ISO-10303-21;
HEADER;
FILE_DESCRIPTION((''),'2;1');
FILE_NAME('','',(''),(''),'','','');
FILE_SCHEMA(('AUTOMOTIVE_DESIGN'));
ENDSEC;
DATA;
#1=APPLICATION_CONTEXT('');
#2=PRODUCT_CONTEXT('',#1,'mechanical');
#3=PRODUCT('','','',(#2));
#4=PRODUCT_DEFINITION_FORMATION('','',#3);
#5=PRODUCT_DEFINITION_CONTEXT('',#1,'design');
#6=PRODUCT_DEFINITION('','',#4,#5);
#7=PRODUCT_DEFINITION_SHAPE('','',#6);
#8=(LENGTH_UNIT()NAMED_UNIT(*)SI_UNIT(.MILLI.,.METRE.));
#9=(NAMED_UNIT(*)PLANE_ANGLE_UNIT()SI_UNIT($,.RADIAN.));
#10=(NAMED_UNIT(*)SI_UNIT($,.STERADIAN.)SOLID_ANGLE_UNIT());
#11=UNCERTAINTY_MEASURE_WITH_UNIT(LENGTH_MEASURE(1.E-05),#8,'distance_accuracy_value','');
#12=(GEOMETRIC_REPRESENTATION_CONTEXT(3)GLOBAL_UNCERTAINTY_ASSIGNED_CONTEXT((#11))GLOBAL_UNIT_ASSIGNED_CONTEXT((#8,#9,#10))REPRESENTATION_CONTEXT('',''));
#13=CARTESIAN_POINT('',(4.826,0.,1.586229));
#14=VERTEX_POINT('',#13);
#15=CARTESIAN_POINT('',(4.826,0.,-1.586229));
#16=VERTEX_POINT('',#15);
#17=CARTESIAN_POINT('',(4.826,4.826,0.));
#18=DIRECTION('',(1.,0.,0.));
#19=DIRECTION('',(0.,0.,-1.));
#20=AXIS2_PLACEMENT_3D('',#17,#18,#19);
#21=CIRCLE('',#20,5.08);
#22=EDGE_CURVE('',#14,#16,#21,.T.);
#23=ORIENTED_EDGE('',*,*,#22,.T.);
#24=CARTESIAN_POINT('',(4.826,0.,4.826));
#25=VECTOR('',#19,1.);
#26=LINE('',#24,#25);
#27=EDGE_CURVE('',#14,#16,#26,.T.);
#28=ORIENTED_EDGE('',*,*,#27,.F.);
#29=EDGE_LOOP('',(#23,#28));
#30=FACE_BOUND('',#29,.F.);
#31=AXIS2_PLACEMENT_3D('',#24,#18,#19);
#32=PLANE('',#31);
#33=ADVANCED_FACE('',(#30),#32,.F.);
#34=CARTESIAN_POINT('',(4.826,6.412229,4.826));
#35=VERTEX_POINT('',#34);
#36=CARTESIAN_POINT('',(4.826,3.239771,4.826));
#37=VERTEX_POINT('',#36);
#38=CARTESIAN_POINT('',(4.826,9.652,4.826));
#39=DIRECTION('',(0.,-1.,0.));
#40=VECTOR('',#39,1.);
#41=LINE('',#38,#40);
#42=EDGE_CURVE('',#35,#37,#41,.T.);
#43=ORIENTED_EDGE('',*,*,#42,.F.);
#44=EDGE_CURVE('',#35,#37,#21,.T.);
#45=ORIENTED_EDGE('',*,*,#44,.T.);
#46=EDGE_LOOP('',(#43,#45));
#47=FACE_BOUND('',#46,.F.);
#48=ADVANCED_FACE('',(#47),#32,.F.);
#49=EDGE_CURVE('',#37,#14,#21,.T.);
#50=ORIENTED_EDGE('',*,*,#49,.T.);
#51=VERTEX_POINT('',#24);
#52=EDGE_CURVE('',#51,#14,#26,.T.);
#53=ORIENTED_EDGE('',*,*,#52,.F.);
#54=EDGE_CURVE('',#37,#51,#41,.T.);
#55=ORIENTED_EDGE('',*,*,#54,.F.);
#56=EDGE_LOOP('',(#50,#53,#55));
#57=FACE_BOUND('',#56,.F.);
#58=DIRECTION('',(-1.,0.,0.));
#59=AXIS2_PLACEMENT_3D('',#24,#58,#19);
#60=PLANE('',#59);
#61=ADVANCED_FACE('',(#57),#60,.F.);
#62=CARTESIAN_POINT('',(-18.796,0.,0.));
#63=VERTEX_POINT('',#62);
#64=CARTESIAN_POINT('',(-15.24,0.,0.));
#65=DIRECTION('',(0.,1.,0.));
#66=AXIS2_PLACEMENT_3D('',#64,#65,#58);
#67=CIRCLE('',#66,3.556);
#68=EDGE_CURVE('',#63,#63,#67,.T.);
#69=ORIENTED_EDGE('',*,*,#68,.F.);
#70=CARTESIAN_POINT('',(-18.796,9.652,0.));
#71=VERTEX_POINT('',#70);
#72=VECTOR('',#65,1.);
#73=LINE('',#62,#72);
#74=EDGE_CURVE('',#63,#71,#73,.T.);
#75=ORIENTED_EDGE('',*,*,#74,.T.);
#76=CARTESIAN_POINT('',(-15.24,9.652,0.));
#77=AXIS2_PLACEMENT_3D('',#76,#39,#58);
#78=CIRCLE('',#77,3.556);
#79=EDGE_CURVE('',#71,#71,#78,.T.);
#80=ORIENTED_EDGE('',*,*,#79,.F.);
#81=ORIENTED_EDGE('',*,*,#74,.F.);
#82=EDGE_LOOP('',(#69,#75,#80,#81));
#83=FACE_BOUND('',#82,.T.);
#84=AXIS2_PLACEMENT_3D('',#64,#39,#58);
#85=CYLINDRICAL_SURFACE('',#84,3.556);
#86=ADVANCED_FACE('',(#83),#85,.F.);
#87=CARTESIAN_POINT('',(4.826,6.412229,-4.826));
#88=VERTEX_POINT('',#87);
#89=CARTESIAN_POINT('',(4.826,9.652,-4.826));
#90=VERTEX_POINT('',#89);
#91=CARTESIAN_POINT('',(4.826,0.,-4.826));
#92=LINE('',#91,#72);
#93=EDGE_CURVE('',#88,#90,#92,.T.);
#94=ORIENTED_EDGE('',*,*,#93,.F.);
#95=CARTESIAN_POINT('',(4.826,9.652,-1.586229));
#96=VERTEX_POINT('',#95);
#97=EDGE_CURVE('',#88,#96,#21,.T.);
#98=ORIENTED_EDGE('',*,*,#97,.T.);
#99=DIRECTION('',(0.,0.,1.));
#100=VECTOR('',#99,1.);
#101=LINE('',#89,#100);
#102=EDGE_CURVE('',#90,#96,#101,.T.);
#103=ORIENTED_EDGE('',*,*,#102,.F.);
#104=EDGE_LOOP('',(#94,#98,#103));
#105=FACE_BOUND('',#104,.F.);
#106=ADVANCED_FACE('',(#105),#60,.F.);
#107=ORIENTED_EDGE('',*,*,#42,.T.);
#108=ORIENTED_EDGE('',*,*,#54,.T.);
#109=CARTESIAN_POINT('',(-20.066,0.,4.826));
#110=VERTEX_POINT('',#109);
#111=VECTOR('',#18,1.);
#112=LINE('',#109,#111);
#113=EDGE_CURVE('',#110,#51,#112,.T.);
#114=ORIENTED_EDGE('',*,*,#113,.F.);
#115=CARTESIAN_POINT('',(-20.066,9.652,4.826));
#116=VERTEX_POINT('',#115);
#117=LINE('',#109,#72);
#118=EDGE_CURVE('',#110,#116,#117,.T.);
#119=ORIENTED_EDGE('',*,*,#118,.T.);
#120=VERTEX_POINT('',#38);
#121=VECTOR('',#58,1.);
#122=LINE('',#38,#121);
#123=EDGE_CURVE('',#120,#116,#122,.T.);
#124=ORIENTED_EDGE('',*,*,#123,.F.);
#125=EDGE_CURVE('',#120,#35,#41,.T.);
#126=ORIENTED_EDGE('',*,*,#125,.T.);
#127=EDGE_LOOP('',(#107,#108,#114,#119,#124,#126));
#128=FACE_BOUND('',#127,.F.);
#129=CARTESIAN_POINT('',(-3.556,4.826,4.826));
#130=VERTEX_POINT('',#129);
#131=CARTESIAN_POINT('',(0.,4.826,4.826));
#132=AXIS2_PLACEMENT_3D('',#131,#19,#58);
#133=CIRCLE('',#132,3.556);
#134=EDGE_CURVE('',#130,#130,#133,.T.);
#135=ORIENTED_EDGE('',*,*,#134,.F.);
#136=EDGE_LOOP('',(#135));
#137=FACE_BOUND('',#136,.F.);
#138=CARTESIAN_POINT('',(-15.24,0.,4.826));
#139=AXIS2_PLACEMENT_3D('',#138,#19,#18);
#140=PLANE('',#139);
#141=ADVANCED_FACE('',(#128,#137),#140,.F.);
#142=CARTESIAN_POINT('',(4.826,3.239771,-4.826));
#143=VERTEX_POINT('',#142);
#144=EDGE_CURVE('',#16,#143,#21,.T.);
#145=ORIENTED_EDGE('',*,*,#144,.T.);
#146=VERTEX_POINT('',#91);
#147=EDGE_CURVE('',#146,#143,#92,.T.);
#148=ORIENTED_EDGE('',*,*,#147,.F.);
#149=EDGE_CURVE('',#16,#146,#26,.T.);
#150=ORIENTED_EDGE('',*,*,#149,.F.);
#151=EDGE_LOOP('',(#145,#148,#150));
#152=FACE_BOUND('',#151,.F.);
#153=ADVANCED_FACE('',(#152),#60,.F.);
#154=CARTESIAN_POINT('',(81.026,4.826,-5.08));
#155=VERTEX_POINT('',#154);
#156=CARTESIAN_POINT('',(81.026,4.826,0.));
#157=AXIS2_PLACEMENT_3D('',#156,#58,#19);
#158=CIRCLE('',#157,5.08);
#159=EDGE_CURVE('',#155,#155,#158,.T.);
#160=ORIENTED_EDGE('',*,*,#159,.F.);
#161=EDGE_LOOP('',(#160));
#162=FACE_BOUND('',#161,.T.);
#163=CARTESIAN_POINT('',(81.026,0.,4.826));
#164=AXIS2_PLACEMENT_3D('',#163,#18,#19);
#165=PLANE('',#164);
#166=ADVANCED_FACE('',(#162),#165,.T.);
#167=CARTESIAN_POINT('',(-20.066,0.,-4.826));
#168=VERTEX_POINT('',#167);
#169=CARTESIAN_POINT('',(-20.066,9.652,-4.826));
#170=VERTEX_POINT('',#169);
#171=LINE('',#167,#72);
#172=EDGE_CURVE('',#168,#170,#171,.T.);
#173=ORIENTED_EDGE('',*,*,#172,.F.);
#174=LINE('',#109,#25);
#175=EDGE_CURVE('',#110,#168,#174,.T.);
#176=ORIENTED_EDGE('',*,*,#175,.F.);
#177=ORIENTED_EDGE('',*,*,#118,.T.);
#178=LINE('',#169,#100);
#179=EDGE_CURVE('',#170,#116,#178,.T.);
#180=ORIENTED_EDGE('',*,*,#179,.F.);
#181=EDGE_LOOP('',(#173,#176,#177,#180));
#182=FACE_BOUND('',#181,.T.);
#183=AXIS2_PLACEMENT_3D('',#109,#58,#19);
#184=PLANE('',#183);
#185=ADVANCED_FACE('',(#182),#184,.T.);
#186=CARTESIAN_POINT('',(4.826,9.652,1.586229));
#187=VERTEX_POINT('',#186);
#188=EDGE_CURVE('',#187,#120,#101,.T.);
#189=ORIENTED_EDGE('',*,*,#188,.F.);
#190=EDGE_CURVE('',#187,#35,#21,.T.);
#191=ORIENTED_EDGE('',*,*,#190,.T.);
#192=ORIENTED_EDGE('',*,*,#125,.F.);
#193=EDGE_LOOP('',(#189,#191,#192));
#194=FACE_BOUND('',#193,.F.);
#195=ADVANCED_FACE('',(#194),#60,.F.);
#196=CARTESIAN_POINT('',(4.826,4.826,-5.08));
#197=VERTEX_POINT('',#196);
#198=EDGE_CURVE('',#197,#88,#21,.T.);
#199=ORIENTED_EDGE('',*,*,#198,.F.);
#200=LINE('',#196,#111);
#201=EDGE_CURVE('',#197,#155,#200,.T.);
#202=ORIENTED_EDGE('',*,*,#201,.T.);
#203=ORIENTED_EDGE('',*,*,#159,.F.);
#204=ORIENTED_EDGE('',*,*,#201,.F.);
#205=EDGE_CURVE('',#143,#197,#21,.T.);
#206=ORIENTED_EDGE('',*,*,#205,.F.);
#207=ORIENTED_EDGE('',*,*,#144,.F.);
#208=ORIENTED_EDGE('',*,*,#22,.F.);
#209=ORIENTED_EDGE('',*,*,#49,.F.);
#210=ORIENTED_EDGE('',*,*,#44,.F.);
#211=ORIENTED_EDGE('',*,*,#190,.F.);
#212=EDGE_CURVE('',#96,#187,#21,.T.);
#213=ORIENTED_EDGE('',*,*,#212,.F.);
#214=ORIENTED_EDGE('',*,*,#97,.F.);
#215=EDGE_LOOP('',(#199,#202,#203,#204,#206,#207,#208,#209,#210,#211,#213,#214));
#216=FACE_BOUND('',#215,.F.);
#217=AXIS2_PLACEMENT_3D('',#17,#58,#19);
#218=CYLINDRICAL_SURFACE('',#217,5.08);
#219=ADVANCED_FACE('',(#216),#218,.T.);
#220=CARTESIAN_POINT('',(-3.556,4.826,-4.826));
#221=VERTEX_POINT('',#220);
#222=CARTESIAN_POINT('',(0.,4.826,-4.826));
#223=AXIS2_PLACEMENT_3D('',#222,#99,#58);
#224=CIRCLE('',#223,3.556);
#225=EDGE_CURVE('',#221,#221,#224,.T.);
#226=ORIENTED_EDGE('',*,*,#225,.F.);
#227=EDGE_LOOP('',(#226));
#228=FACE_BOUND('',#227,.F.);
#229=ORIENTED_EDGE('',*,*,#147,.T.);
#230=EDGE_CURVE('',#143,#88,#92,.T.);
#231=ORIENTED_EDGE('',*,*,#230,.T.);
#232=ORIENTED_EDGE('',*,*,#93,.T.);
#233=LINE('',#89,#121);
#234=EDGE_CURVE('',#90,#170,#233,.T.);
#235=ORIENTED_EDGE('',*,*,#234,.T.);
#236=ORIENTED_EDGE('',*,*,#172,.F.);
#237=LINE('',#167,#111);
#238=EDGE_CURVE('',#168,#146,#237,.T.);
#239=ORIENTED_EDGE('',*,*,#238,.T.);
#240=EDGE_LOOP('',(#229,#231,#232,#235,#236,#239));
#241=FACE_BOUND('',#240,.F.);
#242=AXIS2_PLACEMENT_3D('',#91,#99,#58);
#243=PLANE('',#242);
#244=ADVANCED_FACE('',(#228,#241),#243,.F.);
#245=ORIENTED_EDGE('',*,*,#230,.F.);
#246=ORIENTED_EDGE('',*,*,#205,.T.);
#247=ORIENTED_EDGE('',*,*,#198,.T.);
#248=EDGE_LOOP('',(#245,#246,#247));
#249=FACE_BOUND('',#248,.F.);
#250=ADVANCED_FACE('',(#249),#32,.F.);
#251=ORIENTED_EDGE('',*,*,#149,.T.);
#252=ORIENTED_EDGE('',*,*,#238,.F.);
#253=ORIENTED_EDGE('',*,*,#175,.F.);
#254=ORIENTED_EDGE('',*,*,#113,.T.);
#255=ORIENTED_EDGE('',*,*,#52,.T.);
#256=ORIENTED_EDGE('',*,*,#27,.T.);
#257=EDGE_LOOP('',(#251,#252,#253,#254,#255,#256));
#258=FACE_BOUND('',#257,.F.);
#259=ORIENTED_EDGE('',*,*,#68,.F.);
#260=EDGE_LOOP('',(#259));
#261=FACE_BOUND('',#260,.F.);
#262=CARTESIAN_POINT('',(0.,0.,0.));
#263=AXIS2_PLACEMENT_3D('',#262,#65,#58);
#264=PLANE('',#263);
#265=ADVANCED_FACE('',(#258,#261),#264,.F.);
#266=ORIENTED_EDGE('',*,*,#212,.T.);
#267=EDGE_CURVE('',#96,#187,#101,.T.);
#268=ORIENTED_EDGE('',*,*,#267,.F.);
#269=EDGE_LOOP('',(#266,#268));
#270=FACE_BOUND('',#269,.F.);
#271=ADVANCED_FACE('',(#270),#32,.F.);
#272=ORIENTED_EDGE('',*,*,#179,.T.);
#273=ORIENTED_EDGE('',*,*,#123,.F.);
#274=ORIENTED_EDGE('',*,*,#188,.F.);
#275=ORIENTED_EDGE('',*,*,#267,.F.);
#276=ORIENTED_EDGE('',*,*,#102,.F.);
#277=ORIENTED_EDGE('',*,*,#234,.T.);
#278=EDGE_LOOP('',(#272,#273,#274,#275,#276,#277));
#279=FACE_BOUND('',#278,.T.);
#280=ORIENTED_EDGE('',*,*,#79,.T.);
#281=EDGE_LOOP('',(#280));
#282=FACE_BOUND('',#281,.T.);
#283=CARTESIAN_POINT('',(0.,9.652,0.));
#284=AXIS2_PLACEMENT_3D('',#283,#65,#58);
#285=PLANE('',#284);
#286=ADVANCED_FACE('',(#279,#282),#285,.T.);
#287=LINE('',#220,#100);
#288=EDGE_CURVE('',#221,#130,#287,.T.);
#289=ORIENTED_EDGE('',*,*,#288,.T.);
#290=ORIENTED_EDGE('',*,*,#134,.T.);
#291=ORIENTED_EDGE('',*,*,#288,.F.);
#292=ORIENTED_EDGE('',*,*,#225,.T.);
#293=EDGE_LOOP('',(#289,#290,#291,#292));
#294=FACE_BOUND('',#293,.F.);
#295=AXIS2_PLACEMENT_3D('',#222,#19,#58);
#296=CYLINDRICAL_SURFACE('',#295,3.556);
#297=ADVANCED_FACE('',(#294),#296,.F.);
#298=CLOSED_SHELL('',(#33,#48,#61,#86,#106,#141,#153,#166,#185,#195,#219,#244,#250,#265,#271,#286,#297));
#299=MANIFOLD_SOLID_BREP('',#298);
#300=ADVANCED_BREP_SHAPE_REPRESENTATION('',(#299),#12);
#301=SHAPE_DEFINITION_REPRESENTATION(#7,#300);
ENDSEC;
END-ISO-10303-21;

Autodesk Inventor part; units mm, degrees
ref_plane "YZ Plane" through (0, 0, 0) normal (1, 0, 0) x (0, 1, 0)
ref_plane "XZ Plane" through (0, 0, 0) normal (0, 1, 0) x (-1, 0, 0)
ref_plane "XY Plane" through (0, 0, 0) normal (0, 0, 1) x (1, 0, 0)
sketch "Sketch1" plane through (0, 0, 0) normal (0, 1, 0) x (-1, 0, 0)
  line L0 (0, 0) -> (15.24, 0)
  circle A0 centre (15.24, 0) radius 3.556
  circle A1 centre (0, 0) radius 3.556
  line L1 (18.796, 0) -> (20.066, 0)
  line L2 (15.24, -3.556) -> (15.24, -4.826)
  line L3 (15.24, -4.826) -> (0, -4.826)
  line L4 (-3.556, 0) -> (-4.826, 0)
  line L5 (-4.826, 0) -> (-4.826, -4.826)
  line L6 (-4.826, -4.826) -> (0, -4.826)
  line L7 (15.24, -4.826) -> (20.066, -4.826)
  line L8 (20.066, -4.826) -> (20.066, 0)
  line L9 (15.24, 3.556) -> (15.24, 4.826)
  line L10 (15.24, 4.826) -> (20.066, 4.826)
  line L11 (20.066, 4.826) -> (-4.826, 4.826)
  line L12 (-4.826, 4.826) -> (-4.826, 0)
  line L13 (0, -4.826) -> (-4.826, -4.826)
  line L14 (20.066, 4.826) -> (20.066, 0)
  dimension "d2" = 7.112
  dimension "d0" = 15.24
  dimension "d1" = 7.112
  dimension "d3" = 1.27
  dimension "d4" = 1.27
  dimension "d5" = 1.27
  dimension "d6" = 1.27
extrude "Extrusion1" add sketch "Sketch1" along normal blind 9.652 contours A1 L4 L12 L11 L9 A0 L0 | A1 | L0 A0 L2 L3 L6 L5 L4 A1 | L9 L10 L14 L1 A0 | A0 L1 L8 L7 L2
sketch "Sketch2" plane through (4.826, 0, -4.826) normal (0, 0, -1) x (-1, 0, 0)
  line L0 (0, 0) -> (0, 9.652) projected
  line L1 (0, 4.826) -> (4.826, 4.826)
  circle A0 centre (4.826, 4.826) radius 3.556
  point P0 (4.826, 0)
  dimension "d9" = 4.826
  dimension "d10" = 7.112
extrude "Extrusion2" cut sketch "Sketch2" against normal through all
sketch "Sketch3" plane through (4.826, 0, 4.826) normal (1, 0, 0) x (0, 0, -1)
  line L0 (4.826, 0) -> (4.826, 9.652)
  line L1 (0, 9.652) -> (9.652, 9.652) projected
  line L2 (0, 0) -> (0, 9.652) projected
  line L3 (0, 4.826) -> (9.652, 4.826)
  line L4 (9.652, 0) -> (9.652, 9.652) projected
  circle A0 centre (4.826, 4.826) radius 5.08
  dimension "d13" = 10.16
extrude "Extrusion3" add sketch "Sketch3" along normal blind 76.2 contours L3 L2 A0 L1 L0 | L3 L4 A0 L2 | L0 L1 A0 L4 L3 | L1 A0 | L2 A0 | L4 A0
sketch "Sketch4" plane through (81.026, 4.826, 0) normal (1, 0, 0) x (0, 0, -1)
  circle A0 centre (0, 0) radius 5.08
  point P0 (0, -4.826)
extrude "Extrusion4" cut sketch "Sketch4" against normal blind 76.2
sketch "Sketch5" plane through (4.826, 0, 4.826) normal (1, 0, 0) x (0, 0, -1)
  line L0 (9.652, 9.652) -> (0, 9.652) projected
  line L1 (4.826, 9.652) -> (4.826, 0)
  circle A0 centre (4.826, 4.826) radius 5.08
  dimension "d18" = 10.16
extrude "Extrusion5" add sketch "Sketch5" along normal blind 76.2
properties part number "newblock"
